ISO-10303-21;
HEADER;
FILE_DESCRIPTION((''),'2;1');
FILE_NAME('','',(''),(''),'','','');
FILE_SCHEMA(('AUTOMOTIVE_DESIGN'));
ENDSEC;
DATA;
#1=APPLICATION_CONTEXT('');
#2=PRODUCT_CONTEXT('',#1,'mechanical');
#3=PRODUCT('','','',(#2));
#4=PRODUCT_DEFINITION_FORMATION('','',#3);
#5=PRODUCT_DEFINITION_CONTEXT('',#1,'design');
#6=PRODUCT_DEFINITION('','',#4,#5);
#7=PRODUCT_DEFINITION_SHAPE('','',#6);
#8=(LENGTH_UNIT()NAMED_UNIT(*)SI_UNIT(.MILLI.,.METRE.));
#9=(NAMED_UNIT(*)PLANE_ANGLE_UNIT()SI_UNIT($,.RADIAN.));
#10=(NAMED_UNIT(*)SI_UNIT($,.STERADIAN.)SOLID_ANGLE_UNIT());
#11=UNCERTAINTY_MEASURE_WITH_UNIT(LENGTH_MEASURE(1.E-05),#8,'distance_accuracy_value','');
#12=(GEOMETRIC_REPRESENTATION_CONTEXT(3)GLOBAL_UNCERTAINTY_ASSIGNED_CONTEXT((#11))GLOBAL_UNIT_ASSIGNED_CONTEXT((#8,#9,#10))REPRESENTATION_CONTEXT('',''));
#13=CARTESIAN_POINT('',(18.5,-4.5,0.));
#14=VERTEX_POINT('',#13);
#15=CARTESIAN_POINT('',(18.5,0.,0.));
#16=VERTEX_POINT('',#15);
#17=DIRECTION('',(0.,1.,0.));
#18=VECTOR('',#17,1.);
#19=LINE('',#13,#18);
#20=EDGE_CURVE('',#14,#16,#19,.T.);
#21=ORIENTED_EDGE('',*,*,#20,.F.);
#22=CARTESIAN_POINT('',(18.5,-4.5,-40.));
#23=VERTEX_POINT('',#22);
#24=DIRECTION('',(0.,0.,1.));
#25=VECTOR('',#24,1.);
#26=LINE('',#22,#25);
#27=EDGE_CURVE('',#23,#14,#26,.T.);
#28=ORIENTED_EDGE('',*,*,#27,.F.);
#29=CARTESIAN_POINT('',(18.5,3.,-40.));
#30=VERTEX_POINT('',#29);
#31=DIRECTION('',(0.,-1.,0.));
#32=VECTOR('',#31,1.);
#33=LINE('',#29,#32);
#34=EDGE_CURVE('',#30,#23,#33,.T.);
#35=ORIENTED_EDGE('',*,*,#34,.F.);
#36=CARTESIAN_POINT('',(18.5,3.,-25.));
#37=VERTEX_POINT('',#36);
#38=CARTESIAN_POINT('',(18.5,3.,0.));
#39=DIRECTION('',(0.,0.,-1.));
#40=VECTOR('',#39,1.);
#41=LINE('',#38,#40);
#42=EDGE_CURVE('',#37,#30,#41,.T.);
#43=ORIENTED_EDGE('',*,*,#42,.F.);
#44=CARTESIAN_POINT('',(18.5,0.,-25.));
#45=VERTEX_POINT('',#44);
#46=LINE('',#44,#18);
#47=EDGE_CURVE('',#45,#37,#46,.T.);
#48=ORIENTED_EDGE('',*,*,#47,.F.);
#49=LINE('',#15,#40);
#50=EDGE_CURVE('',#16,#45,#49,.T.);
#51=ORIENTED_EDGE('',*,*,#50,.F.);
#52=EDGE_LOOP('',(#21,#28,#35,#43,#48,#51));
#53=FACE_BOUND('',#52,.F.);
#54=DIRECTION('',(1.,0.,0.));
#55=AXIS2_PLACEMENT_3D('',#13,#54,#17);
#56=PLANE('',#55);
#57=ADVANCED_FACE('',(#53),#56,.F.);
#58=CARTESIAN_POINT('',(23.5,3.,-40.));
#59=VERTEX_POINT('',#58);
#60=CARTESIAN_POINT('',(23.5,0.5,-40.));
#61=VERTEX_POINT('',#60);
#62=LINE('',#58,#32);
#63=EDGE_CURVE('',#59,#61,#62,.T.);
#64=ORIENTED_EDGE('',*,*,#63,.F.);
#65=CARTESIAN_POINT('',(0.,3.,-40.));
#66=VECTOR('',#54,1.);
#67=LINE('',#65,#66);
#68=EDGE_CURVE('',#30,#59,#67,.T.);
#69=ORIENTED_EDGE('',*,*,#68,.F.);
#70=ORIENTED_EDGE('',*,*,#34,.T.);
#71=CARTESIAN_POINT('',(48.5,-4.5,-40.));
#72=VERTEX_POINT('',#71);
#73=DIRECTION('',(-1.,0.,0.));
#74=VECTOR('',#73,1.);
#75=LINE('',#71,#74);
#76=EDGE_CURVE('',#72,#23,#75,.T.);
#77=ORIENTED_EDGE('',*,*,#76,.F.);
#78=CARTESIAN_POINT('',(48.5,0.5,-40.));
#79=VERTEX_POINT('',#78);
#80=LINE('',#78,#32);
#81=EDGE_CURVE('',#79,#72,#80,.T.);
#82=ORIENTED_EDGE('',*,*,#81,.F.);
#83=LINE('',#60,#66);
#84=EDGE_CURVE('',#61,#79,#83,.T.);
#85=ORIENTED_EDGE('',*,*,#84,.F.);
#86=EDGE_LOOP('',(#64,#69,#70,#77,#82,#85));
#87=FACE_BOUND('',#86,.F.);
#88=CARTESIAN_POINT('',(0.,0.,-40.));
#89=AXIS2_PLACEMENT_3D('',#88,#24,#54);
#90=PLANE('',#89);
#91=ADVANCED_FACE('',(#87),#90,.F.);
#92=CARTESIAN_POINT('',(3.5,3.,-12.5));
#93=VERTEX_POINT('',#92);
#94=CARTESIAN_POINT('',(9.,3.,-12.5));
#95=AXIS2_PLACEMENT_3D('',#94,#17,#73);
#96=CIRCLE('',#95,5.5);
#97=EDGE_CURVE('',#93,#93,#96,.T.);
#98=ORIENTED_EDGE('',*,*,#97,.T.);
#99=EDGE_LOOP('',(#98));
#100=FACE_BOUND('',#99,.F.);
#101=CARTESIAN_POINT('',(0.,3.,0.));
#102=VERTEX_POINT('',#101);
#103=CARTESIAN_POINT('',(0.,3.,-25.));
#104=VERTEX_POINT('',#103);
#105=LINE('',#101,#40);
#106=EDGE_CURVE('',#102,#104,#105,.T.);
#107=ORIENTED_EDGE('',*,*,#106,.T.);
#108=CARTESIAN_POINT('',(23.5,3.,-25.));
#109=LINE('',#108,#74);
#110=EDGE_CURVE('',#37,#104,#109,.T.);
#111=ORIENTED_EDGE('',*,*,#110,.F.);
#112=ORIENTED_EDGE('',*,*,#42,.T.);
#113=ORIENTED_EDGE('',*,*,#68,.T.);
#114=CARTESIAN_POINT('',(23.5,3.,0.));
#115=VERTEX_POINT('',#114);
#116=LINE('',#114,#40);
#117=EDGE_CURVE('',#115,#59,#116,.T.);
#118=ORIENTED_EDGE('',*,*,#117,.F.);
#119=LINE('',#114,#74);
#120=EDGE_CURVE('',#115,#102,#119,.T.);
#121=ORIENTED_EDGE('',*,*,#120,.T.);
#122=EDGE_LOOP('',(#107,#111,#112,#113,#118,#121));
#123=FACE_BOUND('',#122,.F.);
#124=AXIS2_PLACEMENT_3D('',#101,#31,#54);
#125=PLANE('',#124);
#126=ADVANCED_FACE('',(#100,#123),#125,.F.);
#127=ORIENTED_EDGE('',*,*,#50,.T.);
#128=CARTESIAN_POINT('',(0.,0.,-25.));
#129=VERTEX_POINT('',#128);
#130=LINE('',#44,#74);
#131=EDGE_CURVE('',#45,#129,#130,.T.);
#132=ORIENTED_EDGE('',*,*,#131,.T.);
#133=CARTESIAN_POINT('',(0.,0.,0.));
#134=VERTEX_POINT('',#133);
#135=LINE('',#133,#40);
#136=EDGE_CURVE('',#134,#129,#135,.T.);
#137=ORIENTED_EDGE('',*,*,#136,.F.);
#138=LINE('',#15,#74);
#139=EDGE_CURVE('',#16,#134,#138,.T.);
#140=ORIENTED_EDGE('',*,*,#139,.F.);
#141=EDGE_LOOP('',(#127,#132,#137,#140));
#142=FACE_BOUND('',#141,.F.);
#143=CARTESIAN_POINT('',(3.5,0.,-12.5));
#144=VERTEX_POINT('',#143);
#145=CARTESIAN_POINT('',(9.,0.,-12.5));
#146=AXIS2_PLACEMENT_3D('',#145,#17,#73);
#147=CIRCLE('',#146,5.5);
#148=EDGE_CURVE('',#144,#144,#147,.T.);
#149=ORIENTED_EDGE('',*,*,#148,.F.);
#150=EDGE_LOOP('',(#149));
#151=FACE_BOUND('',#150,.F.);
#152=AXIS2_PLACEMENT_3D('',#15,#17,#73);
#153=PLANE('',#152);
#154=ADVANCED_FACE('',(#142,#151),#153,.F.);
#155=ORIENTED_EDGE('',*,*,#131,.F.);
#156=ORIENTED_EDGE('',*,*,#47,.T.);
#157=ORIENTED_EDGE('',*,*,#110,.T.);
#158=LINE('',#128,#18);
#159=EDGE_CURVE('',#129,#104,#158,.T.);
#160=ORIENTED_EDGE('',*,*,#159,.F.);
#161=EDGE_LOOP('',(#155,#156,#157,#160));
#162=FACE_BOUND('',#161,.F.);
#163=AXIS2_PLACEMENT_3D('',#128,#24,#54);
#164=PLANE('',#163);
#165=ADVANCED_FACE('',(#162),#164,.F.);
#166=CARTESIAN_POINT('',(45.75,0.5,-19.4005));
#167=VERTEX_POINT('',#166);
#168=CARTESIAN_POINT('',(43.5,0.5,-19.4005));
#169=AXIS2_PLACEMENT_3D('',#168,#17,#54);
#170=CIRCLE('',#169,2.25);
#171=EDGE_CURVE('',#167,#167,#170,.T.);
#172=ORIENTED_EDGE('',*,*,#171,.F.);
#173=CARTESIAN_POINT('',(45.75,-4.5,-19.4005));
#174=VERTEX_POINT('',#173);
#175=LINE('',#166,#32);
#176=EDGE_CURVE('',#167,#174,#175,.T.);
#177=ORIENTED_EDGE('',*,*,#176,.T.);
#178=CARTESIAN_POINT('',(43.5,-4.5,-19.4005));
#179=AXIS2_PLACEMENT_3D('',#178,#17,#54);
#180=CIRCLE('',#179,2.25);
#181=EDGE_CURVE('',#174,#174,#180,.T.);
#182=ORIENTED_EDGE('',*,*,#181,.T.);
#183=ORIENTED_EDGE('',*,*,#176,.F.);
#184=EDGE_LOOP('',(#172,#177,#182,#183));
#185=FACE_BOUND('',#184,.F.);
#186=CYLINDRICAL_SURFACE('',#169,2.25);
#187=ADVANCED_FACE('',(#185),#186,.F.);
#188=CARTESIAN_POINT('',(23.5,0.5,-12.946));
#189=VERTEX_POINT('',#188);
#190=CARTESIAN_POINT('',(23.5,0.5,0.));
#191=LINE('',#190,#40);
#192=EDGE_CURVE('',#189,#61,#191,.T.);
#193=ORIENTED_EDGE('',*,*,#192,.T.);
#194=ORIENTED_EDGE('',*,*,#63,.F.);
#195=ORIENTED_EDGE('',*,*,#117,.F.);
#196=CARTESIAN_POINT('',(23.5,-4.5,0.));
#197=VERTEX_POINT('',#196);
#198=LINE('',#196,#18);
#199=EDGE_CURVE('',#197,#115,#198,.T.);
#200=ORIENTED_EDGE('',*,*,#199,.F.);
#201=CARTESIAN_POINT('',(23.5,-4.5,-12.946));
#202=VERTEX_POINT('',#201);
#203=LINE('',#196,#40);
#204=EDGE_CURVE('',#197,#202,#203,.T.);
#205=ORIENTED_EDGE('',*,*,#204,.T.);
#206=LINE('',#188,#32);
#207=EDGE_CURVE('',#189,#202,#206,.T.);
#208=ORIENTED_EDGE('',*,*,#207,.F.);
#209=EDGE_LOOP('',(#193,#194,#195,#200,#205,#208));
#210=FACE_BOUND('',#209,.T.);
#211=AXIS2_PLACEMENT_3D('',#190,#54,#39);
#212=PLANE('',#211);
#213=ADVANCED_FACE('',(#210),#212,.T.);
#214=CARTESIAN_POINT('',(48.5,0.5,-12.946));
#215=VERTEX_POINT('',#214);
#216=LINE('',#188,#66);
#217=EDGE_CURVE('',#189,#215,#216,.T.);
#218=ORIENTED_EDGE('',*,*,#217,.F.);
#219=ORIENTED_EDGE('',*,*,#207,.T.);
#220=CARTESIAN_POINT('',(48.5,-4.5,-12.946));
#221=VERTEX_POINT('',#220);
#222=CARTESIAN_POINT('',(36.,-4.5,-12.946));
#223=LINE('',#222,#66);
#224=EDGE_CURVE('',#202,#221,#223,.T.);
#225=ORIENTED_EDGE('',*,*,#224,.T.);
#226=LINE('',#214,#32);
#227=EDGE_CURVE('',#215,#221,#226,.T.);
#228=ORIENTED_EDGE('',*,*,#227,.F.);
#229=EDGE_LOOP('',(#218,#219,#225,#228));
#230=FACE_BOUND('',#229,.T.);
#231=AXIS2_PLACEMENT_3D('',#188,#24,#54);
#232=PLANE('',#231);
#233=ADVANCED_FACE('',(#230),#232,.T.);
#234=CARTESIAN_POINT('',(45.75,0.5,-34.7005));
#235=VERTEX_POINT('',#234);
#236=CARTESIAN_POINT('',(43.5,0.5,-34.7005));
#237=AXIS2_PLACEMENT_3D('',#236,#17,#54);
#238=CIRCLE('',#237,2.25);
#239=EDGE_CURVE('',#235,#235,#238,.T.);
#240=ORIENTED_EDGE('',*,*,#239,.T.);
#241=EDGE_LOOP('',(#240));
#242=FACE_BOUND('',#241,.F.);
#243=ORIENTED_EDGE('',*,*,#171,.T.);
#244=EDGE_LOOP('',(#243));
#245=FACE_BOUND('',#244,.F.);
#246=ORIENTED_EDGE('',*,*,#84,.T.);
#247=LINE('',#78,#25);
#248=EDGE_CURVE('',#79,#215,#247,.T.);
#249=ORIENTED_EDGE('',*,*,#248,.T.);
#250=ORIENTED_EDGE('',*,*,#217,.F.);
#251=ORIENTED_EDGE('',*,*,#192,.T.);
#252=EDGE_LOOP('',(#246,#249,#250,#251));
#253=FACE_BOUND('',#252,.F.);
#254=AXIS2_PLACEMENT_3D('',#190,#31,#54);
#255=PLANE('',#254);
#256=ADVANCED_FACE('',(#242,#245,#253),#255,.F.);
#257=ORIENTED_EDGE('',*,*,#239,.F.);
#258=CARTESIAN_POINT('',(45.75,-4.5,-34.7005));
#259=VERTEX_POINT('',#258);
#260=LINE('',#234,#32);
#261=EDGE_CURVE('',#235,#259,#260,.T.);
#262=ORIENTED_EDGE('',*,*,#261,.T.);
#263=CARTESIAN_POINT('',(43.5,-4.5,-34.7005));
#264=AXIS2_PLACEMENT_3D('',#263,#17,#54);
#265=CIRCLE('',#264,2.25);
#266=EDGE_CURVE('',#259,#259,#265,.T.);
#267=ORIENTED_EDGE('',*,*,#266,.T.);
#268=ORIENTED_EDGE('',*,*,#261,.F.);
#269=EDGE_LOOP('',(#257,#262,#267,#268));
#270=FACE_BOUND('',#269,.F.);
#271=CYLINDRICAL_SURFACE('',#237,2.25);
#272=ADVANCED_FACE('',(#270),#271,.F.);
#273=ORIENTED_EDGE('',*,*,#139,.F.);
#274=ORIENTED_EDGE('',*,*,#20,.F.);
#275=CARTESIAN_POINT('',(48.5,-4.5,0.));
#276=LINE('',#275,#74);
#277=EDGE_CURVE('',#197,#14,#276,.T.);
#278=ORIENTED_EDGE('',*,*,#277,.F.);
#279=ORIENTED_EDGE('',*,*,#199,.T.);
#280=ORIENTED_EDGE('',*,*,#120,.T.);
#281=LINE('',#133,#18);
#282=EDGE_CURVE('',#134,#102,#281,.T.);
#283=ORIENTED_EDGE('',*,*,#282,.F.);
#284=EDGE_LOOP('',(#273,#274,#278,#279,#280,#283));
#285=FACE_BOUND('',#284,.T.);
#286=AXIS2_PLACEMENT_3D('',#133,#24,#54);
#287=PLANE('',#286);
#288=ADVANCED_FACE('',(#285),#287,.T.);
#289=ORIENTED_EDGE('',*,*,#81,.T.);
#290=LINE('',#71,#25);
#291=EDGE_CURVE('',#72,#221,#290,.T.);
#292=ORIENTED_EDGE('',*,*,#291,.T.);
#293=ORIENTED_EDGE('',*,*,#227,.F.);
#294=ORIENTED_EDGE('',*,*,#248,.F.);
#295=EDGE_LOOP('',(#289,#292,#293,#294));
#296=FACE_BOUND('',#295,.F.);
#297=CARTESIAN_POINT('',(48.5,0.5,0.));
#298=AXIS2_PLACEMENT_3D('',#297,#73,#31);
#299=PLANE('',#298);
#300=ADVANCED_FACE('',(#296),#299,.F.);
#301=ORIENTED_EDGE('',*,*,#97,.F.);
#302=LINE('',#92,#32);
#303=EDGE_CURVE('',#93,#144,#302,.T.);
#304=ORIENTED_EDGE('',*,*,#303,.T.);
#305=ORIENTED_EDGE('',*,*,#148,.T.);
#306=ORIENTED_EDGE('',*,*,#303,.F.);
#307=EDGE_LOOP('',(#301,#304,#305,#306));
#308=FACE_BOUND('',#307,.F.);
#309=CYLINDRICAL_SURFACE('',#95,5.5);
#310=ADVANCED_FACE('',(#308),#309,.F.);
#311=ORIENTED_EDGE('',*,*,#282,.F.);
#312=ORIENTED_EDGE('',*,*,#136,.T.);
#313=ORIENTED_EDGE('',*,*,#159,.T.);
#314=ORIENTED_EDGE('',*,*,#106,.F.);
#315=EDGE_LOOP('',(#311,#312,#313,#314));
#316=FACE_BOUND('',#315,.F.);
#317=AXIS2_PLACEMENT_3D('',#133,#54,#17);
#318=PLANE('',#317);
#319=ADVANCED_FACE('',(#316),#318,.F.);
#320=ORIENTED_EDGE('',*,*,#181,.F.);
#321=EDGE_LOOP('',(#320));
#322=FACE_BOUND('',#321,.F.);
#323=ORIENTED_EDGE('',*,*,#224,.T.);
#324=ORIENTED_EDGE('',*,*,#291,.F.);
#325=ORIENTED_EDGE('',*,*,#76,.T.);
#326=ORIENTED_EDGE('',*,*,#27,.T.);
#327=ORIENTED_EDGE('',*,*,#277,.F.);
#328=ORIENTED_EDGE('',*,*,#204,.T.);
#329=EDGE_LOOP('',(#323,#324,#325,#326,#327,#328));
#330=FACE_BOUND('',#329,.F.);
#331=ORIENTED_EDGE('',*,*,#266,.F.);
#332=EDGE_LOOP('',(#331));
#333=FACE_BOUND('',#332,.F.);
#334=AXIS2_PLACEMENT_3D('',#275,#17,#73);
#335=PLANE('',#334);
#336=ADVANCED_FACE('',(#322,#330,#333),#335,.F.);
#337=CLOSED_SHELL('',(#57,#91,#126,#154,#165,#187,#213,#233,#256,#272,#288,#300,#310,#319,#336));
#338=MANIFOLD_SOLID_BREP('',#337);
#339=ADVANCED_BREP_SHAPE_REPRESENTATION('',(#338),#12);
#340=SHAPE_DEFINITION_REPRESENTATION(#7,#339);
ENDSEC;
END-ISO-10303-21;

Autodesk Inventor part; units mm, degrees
ref_plane "YZ Plane" through (0, 0, 0) normal (1, 0, 0) x (0, 1, 0)
ref_plane "XZ Plane" through (0, 0, 0) normal (0, 1, 0) x (-1, 0, 0)
ref_plane "XY Plane" through (0, 0, 0) normal (0, 0, 1) x (1, 0, 0)
sketch "Sketch1" plane through (0, 0, 0) normal (0, 1, 0) x (-1, 0, 0)
  line L0 (10, 7.5) -> (10, -7.5)
  circle A0 centre (0, 0) radius 5.25
  circle A1 centre (-15.9216, -7.65) radius 2.25
  circle A2 centre (-15.8711, 7.6499) radius 2.25
  line L1 (10, 0) -> (-25.8686, 0) construction
  line L2 (10, 7.5) -> (-10.3711, 7.5)
  line L3 (-10.3711, 7.5) -> (-10.3711, 15.9691)
  line L4 (-10.3711, 15.9691) -> (-21.3711, 15.9691)
  line L5 (-21.3711, 15.9691) -> (-21.3711, -15)
  line L6 (-21.3711, -15) -> (-10.3711, -15)
  line L7 (-10.3711, -15) -> (-10.3711, -7.5)
  line L8 (-10.3711, -7.5) -> (10, -7.5)
  circle A3 centre (-15.9216, -7.65) radius 5
  circle A4 centre (-15.8711, 7.6499) radius 4.9375
  point P0 (-7.9343, 0)
  dimension "d0" = 10.5
  dimension "d2" = 10
  dimension "d3" = 15.3
  dimension "d4" = 7.65
  dimension "d5" = 4.5
  dimension "d6" = 15
  dimension "d7" = 15
  dimension "d8" = 11
  dimension "d9" = 5.5
  dimension "d10" = 10
extrude "Extrusion1" [suppressed]
sketch "Sketch2" plane through (0, 0, 0) normal (0, 0, 1) x (1, 0, 0)
  line L0 (0, 0) -> (0, 3)
  line L1 (0, 3) -> (23.5, 3)
  line L2 (23.5, 3) -> (23.5, 0.5)
  line L3 (23.5, 0.5) -> (48.5, 0.5)
  line L4 (48.5, 0.5) -> (48.5, -4.5)
  line L5 (48.5, -4.5) -> (18.5, -4.5)
  line L6 (18.5, -4.5) -> (18.5, 0)
  line L7 (18.5, 0) -> (0, 0)
  line L8 (18.5, 0) -> (18.5, 3)
  point P0 (0, 1.5)
  dimension "d13" = 3
  dimension "d14" = 5
  dimension "d15" = 25
  dimension "d16" = 23.5
  dimension "d28" = 4.5
  dimension "d29" = 5
extrude "Extrusion2" add sketch "Sketch2" against normal blind 25
sketch "Sketch3" plane through (0, 3, 0) normal (0, 1, 0) x (-1, 0, 0)
  circle A0 centre (-9, -12.5) radius 5.5
  line L0 (0, 0) -> (0, -25) projected
  line L1 (-23.5, 0) -> (0, 0) projected
  point P0 (0, -12.5)
  point P1 (0, -12.5)
  dimension "d19" = 11
  dimension "d26" = 9
  dimension "d27" = 12.5
extrude "Extrusion3" cut sketch "Sketch3" against normal blind 25
extrude "Extrusion4" add sketch "Sketch2" against normal blind 40 contours L8 L1 L2 L3 L4 L5 L6
sketch "Sketch4" plane through (23.5, 0.5, 0) normal (0, 1, 0) x (1, 0, 0)
  circle A0 centre (20, 34.7005) radius 2.25
  circle A1 centre (20, 19.4005) radius 2.25
  line L0 (0, 0) -> (0, 40) projected
  point P0 (-23.5, 0)
  dimension "d32" = 4.5
  dimension "d33" = 15.3
  dimension "d36" = 20
extrude "Extrusion5" cut sketch "Sketch4" against normal up to surface (5 mm away)
sketch "Sketch5" plane through (23.5, 0.5, 0) normal (0, 1, 0) x (1, 0, 0)
  line L0 (25, 0) -> (0, 0) projected
  line L1 (0, 0) -> (0, 40) projected
  line L2 (25, 0) -> (0, 0)
  line L3 (0, 0) -> (0, 12.946)
  line L4 (0, 12.946) -> (25, 12.946)
  line L5 (25, 12.946) -> (25, 0)
  point P0 (-23.5, 0)
extrude "Extrusion6" cut sketch "Sketch5" against normal blind 10
equation "\"d4\" = 0.5 * d3"
properties part number "imu2_mount" material "ABS Plastic"
